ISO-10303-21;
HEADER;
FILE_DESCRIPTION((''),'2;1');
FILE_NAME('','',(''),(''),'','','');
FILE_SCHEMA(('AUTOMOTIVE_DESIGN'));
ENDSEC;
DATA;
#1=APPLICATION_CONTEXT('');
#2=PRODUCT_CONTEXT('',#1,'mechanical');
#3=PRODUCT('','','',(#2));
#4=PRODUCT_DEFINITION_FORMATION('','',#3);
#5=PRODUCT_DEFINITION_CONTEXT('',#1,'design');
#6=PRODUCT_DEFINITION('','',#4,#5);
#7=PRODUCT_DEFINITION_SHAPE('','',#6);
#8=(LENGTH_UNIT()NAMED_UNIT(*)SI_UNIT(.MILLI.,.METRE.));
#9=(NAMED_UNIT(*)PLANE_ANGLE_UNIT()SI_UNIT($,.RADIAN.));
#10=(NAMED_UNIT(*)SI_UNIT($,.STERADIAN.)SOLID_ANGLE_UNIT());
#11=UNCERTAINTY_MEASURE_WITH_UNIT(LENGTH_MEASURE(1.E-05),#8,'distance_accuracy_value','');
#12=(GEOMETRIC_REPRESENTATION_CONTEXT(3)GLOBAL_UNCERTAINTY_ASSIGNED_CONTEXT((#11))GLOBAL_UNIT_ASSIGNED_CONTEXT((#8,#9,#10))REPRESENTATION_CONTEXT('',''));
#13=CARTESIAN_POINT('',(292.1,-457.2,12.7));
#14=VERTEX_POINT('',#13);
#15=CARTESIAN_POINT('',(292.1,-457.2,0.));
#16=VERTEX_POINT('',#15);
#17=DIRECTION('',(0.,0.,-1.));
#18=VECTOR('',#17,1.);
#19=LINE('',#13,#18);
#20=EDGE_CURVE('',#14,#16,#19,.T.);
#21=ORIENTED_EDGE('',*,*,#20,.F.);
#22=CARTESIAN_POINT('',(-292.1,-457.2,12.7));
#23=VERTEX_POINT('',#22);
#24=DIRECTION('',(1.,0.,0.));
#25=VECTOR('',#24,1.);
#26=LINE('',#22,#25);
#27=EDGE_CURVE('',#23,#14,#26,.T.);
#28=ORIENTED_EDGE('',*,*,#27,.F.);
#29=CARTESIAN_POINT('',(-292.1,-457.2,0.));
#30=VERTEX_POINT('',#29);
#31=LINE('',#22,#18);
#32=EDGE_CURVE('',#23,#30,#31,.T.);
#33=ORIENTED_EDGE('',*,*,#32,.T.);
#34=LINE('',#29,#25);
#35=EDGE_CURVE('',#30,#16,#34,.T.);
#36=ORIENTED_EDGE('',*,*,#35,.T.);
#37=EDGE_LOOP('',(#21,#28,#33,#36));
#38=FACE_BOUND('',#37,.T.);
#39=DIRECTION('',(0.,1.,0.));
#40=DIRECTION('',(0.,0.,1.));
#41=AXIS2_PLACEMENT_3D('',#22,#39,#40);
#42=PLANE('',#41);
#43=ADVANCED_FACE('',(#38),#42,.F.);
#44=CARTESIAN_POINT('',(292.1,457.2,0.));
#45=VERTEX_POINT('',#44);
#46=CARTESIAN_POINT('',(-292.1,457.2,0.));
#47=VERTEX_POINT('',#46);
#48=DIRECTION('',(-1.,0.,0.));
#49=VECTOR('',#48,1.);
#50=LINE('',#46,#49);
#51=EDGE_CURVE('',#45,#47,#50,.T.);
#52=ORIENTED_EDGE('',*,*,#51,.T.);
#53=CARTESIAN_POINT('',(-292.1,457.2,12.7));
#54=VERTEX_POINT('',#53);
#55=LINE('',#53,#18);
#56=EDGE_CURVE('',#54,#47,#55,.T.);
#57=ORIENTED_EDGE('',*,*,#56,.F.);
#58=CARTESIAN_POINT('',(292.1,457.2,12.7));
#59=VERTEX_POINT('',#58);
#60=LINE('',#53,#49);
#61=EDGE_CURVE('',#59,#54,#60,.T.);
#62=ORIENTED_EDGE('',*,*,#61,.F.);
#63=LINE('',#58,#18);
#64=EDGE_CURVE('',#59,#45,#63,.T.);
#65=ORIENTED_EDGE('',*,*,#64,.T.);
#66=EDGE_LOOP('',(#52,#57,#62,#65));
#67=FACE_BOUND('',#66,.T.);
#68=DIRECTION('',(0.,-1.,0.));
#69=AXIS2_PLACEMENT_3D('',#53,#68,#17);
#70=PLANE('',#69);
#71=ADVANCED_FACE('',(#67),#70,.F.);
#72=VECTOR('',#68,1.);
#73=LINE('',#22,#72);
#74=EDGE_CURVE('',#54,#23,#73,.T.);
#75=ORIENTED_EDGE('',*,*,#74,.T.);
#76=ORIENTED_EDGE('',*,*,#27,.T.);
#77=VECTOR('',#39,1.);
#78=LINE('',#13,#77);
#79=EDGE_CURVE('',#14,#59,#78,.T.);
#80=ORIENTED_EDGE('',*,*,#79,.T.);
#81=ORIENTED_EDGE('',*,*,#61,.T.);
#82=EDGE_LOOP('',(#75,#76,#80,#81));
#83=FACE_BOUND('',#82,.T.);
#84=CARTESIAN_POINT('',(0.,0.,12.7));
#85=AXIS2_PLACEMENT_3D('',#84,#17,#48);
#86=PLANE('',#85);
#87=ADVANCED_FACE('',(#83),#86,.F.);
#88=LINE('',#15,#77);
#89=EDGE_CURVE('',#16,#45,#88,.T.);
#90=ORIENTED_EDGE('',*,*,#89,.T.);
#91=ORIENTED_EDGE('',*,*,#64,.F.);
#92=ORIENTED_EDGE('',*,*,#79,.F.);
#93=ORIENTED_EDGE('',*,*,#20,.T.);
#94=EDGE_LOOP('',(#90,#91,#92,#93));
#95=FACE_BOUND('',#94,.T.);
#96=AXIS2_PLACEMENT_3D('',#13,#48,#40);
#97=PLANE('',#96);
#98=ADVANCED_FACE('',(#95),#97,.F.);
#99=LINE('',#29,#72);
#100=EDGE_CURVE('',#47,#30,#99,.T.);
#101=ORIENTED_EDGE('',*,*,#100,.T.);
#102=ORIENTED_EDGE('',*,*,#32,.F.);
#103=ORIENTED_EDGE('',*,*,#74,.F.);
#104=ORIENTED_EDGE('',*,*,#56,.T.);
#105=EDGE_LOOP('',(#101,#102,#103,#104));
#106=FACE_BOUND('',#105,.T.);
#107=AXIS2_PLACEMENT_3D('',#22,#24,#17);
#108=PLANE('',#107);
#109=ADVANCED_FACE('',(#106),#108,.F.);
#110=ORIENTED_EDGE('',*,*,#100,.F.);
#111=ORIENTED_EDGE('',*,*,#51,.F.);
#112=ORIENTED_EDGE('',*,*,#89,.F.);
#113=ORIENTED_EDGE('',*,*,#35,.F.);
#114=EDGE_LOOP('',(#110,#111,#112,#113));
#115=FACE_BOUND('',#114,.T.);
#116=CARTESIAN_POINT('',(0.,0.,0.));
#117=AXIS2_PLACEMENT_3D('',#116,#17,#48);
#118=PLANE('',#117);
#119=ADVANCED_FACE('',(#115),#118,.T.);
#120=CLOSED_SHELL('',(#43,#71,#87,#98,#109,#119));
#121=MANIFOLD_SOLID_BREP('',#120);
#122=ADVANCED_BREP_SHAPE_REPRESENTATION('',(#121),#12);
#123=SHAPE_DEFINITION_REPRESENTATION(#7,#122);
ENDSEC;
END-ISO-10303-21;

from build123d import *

# Parameters (mm, degrees)
SKETCH1_W           = 584.2
SKETCH1_H           = 914.4
BOSS_EXTRUDE1_DEPTH = 12.7


with BuildPart() as part:
    # Sketch1 → Boss-Extrude1 (new body)
    with BuildSketch(Plane.XY):
        Rectangle(SKETCH1_W, SKETCH1_H)
    extrude(amount=BOSS_EXTRUDE1_DEPTH)


solid = part.part
